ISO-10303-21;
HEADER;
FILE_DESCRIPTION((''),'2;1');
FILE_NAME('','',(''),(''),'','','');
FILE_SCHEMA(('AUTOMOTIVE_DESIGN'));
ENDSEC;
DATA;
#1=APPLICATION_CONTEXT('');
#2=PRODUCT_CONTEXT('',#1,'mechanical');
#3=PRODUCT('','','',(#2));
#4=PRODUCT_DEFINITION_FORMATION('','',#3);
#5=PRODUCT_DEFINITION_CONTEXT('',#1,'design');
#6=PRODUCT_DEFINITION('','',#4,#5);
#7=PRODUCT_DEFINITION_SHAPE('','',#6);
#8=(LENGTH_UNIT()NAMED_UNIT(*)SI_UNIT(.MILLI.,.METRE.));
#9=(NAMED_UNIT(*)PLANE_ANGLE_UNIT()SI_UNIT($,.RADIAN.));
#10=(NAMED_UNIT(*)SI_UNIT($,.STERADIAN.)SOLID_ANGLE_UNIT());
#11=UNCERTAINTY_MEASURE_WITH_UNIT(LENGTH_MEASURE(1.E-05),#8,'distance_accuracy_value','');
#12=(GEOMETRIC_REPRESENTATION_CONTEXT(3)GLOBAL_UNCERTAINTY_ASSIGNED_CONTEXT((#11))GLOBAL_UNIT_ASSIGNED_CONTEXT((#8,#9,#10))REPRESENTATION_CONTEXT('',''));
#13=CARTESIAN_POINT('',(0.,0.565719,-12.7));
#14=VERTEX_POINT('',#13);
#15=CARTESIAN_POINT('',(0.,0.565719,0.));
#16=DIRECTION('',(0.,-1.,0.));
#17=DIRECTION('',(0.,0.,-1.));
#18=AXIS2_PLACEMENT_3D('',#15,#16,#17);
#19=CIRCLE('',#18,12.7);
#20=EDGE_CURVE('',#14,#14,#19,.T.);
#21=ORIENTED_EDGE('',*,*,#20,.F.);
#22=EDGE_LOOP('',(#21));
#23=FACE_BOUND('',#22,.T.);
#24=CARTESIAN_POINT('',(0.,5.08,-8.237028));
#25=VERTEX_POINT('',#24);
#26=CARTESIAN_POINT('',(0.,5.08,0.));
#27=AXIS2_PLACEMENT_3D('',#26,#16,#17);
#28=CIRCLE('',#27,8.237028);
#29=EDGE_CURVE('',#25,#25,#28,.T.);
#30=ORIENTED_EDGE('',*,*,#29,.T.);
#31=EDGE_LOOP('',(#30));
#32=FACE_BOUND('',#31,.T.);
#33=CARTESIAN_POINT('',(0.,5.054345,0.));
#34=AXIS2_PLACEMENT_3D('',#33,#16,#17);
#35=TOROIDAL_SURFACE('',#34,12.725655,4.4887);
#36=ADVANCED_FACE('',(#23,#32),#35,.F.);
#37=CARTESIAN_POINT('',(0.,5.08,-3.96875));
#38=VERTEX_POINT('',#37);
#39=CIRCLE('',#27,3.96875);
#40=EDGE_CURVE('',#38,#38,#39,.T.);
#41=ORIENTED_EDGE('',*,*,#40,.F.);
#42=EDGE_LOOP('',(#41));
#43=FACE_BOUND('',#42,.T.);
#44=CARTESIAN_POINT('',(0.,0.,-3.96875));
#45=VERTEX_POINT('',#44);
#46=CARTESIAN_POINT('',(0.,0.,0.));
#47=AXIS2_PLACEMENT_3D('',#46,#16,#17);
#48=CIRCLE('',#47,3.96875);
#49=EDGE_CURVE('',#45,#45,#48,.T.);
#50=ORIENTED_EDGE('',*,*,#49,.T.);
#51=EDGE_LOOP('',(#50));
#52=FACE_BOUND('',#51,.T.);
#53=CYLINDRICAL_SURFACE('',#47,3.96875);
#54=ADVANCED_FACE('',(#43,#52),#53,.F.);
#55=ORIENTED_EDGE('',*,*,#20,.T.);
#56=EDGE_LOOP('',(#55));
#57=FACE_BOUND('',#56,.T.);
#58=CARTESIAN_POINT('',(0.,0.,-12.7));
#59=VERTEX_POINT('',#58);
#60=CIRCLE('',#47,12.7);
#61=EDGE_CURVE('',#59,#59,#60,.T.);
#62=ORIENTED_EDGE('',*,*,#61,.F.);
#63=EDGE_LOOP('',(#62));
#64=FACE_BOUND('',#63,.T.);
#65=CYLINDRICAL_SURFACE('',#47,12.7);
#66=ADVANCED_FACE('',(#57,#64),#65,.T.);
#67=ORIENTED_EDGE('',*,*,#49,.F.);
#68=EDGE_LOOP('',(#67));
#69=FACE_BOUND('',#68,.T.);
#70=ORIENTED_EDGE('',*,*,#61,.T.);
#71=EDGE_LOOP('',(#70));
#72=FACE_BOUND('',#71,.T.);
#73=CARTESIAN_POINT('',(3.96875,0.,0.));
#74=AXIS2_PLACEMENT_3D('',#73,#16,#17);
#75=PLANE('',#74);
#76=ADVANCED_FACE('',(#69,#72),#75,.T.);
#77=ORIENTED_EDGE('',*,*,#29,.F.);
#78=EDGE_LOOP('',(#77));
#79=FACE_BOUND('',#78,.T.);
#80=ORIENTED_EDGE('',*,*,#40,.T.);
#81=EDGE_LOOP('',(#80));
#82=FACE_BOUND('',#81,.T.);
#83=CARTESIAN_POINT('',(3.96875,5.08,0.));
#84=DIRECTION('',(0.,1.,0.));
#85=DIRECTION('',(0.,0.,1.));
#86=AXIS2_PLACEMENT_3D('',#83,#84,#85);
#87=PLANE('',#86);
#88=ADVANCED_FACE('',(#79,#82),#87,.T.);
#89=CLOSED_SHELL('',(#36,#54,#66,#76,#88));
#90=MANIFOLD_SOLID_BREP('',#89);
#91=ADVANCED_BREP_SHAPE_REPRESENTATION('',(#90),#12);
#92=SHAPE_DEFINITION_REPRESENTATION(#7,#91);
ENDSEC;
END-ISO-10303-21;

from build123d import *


with BuildPart() as part:
    # Sketch3 → Revolve1 (revolve)
    with BuildSketch(Plane.XY, mode=Mode.PRIVATE) as revolve1_sk:
        with BuildLine():
            Line((3.96875, 0), (12.7, 0))
            Line((12.7, 0), (12.7, 0.565718663))
            ThreePointArc((12.7, 0.565718663), (9.533575757, 1.89854758), (8.237028069, 5.08))
            Line((8.237028069, 5.08), (3.96875, 5.08))
            Line((3.96875, 5.08), (3.96875, 0))
        make_face()
    revolve(revolve1_sk.sketch.rotate(Axis((0, 0, 0), (0, 1, 0)), 90), axis=Axis((0, 0, 0), (0, 1, 0)))


solid = part.part
